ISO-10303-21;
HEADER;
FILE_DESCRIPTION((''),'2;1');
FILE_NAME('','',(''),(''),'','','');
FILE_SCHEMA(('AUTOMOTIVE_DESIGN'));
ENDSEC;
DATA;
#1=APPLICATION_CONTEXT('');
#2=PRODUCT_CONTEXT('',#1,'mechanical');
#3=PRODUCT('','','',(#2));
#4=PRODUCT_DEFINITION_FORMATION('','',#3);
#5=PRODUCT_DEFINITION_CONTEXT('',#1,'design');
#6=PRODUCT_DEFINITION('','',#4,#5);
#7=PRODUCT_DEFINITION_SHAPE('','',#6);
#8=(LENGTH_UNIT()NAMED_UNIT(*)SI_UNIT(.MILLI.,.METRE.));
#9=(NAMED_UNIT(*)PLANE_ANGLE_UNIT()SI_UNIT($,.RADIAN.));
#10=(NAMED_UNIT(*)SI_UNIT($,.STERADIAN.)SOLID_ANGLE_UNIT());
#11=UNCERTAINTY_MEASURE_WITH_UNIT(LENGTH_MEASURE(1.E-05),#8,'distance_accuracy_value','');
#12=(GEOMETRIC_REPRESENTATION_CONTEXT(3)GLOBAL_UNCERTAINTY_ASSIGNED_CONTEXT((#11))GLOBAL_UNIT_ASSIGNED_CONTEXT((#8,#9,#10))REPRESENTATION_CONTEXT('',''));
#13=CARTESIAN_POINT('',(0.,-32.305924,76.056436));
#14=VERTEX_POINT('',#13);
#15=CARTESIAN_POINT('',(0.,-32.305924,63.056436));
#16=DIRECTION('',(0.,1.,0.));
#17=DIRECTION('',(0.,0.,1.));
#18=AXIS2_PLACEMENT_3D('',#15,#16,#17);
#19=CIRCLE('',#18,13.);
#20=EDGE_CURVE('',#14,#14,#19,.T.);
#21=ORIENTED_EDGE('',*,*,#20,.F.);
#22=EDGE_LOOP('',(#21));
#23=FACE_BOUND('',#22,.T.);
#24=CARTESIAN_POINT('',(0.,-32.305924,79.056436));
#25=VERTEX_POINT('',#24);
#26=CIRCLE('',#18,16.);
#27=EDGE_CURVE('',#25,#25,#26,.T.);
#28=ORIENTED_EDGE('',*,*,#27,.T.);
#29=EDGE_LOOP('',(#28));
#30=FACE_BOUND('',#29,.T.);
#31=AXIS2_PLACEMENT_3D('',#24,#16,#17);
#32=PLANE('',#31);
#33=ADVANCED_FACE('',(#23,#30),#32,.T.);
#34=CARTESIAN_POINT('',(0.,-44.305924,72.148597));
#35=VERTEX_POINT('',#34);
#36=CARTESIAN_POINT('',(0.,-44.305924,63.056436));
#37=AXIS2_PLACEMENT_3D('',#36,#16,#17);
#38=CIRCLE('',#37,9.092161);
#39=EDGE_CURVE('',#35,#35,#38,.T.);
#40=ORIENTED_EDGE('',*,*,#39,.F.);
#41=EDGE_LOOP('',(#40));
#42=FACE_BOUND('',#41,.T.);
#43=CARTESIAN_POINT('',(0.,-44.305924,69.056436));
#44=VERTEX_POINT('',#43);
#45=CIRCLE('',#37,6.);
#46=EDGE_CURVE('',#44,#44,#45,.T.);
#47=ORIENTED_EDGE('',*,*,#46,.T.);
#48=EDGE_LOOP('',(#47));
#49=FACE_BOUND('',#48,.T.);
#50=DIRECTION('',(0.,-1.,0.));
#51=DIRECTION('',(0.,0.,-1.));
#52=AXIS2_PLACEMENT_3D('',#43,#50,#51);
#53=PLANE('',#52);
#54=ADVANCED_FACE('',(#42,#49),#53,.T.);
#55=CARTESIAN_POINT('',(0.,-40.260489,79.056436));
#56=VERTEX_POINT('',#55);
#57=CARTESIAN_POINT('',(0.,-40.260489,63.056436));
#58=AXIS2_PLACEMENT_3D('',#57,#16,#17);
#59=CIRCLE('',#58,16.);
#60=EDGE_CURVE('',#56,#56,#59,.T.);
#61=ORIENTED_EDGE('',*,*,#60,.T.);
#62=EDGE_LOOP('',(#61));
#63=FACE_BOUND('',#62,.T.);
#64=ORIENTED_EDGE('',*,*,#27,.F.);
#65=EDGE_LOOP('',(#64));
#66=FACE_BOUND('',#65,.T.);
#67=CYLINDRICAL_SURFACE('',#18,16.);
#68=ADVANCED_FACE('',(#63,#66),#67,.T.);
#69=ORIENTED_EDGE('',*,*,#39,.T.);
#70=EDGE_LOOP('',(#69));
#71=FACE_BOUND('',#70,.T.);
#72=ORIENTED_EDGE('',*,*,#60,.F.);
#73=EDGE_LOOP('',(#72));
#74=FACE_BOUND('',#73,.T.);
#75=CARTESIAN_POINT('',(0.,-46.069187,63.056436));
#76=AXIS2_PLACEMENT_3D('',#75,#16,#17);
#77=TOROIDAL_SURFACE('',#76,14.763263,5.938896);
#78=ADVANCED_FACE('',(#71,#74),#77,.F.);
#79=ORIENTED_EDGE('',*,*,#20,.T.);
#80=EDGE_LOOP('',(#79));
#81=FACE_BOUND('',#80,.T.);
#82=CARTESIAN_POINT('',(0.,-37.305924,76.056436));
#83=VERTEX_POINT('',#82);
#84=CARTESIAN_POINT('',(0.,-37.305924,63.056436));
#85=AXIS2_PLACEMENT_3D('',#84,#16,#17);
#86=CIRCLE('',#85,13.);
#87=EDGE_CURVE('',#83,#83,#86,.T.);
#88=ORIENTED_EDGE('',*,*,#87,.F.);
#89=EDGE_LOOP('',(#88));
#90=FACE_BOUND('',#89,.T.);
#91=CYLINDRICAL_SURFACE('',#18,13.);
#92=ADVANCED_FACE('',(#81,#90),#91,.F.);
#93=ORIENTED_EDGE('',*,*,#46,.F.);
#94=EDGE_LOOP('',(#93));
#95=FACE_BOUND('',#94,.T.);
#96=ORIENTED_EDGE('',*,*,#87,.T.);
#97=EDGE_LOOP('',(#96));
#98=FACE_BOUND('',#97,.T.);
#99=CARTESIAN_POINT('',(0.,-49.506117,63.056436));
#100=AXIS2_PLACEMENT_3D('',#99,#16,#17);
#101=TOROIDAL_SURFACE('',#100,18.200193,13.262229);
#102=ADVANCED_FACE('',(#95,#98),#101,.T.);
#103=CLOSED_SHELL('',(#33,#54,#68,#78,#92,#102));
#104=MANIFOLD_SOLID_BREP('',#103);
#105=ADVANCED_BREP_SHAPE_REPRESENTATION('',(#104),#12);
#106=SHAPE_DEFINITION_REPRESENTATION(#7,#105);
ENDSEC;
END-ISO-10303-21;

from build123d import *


with BuildPart() as part:
    # Sketch2 → Revolve1 (revolve)
    with BuildSketch(Plane(origin=(0, 0, 0), x_dir=(0, 0, -1), z_dir=(1, 0, 0))):
        with BuildLine():
            Line((-79.056436475, -40.260488846), (-79.056436475, -32.305924046))
            Line((-79.056436475, -32.305924046), (-76.056436475, -32.305924046))
            Line((-76.056436475, -32.305924046), (-76.056436475, -37.305924046))
            ThreePointArc((-76.056436475, -37.305924046), (-71.878817469, -40.12830504), (-69.056436475, -44.305924046))
            Line((-69.056436475, -44.305924046), (-72.148597446, -44.305924046))
            ThreePointArc((-72.148597446, -44.305924046), (-74.818485522, -40.944422681), (-79.056436475, -40.260488846))
        make_face()
    revolve(axis=Axis((0, -32.305924046, 63.056436475), (0, -1, 0)))


solid = part.part
